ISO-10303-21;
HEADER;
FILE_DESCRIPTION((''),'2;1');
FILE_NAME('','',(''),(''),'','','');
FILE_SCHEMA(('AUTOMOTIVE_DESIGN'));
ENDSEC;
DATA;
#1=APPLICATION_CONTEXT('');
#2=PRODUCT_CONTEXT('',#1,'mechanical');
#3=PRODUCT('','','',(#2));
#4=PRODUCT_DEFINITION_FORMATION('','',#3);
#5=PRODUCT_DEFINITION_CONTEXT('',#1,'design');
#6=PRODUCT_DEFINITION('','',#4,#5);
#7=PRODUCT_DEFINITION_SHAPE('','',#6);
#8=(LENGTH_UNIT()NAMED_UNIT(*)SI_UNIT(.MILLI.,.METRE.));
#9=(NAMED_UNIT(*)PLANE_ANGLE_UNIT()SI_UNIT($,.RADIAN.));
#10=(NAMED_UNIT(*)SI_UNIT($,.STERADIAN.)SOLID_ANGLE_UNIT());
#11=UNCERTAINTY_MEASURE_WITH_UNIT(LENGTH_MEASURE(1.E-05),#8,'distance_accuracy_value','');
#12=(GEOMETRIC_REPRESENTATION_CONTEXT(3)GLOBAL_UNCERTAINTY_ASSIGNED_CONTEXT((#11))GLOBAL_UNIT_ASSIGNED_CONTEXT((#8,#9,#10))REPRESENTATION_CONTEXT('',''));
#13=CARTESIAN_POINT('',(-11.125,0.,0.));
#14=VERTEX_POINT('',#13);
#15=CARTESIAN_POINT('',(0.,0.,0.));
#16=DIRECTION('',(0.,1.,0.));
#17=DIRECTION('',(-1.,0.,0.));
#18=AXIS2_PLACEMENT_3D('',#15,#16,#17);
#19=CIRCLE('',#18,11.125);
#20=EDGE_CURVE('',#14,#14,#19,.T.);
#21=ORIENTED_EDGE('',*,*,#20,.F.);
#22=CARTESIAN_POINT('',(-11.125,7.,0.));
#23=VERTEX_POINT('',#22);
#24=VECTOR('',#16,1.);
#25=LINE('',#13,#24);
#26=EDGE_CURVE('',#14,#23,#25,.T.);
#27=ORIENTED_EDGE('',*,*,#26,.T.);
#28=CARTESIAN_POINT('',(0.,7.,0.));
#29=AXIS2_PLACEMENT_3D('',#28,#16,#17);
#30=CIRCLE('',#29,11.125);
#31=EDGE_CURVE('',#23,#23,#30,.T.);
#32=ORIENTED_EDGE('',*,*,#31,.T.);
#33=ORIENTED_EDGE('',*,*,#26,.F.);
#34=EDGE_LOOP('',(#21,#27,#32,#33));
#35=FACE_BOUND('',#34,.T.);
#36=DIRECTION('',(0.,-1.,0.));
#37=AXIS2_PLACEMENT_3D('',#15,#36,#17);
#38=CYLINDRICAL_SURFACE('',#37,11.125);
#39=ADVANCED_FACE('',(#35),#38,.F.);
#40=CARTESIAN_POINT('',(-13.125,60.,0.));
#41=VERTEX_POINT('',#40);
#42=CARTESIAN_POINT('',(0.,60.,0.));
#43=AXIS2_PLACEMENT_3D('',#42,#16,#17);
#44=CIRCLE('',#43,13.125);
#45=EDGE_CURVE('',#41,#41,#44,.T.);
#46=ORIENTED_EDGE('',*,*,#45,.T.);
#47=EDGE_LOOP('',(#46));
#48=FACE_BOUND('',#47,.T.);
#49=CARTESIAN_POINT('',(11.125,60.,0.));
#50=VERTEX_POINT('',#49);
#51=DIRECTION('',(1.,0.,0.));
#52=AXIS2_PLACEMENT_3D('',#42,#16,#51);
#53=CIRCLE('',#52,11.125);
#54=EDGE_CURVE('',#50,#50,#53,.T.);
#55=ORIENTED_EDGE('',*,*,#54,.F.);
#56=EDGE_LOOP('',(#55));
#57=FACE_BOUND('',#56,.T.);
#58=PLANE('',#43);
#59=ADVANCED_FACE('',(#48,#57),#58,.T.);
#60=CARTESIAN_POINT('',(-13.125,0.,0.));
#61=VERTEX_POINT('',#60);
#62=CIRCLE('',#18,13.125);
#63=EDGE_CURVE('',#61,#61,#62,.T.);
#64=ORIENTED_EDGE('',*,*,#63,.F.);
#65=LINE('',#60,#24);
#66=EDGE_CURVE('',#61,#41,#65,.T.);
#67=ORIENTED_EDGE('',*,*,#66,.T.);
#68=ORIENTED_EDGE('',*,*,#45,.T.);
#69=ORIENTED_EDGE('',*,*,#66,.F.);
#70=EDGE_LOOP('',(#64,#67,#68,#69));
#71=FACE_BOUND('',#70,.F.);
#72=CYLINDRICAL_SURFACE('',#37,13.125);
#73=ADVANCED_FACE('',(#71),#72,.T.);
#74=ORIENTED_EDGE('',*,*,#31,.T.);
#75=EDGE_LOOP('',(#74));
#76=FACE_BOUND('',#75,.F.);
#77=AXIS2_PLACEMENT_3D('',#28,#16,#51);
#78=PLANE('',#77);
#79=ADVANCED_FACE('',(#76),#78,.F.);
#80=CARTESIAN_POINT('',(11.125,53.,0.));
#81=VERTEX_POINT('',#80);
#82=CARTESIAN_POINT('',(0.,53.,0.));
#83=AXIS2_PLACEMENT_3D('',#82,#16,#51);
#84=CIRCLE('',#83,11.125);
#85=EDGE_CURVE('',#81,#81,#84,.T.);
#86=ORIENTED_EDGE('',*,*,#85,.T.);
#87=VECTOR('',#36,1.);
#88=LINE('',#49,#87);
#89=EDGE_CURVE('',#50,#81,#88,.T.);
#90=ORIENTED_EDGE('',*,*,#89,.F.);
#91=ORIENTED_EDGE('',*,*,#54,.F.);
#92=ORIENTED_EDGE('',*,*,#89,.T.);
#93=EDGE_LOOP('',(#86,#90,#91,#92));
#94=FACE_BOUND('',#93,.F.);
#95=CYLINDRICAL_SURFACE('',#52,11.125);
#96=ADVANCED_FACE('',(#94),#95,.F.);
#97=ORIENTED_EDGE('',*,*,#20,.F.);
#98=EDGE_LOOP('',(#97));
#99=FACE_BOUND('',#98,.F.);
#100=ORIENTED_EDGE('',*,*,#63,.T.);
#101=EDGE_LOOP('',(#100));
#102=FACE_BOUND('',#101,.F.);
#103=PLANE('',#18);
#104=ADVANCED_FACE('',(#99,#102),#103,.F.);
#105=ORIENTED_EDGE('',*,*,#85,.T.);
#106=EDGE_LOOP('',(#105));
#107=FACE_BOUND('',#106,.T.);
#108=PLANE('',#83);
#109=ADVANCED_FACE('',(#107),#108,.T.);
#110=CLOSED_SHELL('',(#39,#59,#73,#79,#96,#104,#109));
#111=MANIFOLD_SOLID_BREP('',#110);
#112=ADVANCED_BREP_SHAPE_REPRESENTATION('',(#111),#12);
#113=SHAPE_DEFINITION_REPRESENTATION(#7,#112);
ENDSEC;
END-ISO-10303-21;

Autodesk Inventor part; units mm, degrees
ref_plane "YZ Plane" through (0, 0, 0) normal (1, 0, 0) x (0, 1, 0)
ref_plane "XZ Plane" through (0, 0, 0) normal (0, 1, 0) x (-1, 0, 0)
ref_plane "XY Plane" through (0, 0, 0) normal (0, 0, 1) x (1, 0, 0)
sketch "Sketch1" plane through (0, 0, 0) normal (0, 1, 0) x (-1, 0, 0)
  circle A0 centre (0, 0) radius 11.125
  circle A1 centre (0, 0) radius 13.125
  dimension "d0" = 22.25
  dimension "d1" = 26.25
extrude "Extrusion1" add sketch "Sketch1" along normal blind 60
sketch "Sketch2" plane through (0, 60, 0) normal (0, 1, 0) x (1, 0, 0)
  circle A0 centre (0, 0) radius 11.125
extrude "Extrusion2" add sketch "Sketch2" against normal blind 53
sketch "Sketch3" plane through (0, 60, 0) normal (0, 1, 0) x (1, 0, 0)
  circle A0 centre (0, 0) radius 11.125
extrude "Extrusion3" cut sketch "Sketch3" against normal blind 7
properties part number "Fretter"
